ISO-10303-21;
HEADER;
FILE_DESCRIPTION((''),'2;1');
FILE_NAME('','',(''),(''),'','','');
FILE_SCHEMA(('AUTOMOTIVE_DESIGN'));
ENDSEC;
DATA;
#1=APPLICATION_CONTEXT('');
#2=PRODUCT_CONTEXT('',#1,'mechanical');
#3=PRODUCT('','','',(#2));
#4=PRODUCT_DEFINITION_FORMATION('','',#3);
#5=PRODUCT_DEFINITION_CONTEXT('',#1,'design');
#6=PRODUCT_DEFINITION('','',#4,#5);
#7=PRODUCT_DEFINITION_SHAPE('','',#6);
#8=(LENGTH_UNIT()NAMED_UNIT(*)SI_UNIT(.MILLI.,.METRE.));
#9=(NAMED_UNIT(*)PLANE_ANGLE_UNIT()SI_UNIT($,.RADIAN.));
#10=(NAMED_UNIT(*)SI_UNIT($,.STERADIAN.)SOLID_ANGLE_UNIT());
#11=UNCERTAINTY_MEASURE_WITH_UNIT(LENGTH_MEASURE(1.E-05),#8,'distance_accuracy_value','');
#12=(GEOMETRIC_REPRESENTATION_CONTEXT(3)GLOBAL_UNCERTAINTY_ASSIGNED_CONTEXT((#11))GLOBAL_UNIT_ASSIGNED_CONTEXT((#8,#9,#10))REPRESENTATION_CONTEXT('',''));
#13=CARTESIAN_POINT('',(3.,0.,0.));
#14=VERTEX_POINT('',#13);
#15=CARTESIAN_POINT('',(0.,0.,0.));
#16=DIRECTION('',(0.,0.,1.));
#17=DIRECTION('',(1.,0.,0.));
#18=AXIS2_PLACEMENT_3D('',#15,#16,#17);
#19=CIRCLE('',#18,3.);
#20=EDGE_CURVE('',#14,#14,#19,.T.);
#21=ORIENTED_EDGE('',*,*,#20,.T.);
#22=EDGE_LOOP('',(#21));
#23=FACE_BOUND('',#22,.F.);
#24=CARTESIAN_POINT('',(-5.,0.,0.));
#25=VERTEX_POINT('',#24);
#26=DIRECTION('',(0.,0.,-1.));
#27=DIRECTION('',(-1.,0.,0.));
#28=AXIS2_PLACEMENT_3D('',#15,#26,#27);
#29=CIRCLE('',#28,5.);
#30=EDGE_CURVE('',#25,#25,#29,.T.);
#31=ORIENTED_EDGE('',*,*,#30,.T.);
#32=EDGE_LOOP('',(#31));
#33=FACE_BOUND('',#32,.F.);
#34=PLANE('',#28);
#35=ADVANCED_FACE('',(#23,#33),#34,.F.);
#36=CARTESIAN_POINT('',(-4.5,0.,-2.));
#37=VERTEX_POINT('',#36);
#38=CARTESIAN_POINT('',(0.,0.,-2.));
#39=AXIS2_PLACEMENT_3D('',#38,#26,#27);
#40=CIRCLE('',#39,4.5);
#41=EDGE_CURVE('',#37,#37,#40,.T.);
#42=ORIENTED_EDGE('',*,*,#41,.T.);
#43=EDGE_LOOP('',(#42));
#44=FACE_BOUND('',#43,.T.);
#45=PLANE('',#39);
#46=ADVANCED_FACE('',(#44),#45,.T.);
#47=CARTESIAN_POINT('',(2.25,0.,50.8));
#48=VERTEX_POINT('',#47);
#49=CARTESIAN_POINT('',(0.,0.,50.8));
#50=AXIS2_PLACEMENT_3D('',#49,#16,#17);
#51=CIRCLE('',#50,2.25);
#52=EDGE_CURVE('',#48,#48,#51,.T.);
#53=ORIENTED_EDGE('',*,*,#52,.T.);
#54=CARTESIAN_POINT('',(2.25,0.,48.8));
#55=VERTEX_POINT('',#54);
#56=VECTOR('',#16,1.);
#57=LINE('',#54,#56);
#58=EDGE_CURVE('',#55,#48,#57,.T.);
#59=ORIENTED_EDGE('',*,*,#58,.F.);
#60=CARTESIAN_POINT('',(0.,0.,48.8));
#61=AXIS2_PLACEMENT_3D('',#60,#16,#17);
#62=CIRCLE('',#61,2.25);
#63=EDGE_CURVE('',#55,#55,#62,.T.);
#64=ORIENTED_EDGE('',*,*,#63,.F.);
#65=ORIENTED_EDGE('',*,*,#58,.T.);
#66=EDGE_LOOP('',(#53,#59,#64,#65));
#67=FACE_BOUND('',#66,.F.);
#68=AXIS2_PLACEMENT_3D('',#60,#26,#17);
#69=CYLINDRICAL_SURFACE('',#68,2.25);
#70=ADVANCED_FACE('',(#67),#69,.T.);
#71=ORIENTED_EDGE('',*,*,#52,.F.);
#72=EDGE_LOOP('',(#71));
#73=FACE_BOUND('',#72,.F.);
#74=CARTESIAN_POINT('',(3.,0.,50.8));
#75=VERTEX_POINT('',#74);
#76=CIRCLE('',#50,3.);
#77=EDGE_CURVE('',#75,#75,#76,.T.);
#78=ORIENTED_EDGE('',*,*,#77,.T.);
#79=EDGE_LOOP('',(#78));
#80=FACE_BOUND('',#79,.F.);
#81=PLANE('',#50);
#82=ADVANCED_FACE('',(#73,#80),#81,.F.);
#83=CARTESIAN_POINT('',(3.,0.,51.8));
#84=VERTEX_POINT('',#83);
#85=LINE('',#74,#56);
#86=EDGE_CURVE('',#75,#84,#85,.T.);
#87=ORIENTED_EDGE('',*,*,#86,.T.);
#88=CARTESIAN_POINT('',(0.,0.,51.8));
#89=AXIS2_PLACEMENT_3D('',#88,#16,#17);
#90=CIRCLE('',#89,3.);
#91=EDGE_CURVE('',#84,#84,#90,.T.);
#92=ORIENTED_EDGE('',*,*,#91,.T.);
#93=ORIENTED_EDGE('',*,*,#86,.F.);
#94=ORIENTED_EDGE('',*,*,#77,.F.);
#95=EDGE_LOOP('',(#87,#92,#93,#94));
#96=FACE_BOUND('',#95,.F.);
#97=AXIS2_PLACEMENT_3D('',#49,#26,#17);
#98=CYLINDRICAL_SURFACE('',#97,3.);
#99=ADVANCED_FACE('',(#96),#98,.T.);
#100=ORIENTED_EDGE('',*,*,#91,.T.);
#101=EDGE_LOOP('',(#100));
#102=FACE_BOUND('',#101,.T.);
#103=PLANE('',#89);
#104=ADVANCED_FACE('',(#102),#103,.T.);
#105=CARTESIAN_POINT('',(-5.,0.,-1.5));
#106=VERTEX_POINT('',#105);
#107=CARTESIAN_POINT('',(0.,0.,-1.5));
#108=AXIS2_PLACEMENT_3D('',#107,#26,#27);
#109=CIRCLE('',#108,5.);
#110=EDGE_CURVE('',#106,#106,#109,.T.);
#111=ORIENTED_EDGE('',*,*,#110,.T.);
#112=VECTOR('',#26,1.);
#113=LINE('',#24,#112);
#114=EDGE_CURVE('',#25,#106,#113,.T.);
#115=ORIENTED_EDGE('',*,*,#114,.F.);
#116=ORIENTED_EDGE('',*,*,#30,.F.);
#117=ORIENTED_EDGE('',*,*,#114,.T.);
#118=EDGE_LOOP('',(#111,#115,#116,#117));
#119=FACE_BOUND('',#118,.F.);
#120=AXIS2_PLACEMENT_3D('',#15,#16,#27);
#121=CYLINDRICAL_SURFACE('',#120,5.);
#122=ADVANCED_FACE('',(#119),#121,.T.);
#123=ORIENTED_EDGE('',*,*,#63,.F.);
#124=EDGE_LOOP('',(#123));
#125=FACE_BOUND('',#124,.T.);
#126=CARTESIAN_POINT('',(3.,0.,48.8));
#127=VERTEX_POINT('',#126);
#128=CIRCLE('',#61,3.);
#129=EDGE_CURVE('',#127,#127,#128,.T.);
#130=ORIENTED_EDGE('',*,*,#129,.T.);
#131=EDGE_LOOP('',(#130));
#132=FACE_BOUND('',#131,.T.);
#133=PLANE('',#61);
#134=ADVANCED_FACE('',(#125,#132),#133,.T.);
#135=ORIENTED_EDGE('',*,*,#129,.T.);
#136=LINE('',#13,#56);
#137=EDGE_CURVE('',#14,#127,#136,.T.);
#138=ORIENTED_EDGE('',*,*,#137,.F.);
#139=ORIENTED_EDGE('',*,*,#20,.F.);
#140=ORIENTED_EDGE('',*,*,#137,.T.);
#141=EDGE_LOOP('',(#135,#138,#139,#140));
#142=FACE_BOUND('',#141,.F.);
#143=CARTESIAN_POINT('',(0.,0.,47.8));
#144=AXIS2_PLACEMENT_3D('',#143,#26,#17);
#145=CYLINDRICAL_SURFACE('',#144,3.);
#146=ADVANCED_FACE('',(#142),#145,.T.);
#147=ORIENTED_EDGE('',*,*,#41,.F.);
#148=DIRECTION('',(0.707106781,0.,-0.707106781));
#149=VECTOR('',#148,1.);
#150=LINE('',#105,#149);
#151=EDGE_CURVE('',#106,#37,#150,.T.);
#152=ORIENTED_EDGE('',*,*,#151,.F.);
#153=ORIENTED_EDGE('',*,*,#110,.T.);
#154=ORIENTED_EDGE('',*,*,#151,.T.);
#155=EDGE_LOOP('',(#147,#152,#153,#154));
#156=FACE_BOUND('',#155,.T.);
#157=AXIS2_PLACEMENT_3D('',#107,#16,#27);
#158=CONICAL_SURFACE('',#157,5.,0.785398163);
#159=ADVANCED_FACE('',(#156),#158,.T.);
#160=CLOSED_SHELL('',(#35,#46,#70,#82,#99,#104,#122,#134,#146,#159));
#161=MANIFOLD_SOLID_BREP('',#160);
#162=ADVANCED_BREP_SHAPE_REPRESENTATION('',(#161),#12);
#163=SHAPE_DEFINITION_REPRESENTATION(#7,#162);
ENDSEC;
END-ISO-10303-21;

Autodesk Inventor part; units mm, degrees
ref_plane "YZ Plane" through (0, 0, 0) normal (1, 0, 0) x (0, 1, 0)
ref_plane "XZ Plane" through (0, 0, 0) normal (0, 1, 0) x (-1, 0, 0)
ref_plane "XY Plane" through (0, 0, 0) normal (0, 0, 1) x (1, 0, 0)
sketch "スケッチ1" plane through (0, 0, 0) normal (0, 0, 1) x (1, 0, 0)
  circle A0 centre (0, 0) radius 3
  dimension "d0" = 6
extrude "押し出し1" add sketch "スケッチ1" along normal blind 47.8
sketch "スケッチ2" plane through (0, 0, 0) normal (0, 0, -1) x (-1, 0, 0)
  circle A0 centre (0, 0) radius 3 projected
  circle A1 centre (0, 0) radius 5
  dimension "d3" = 10
extrude "押し出し2" add sketch "スケッチ2" along normal blind 2 contours A0 | A1
sketch "スケッチ3" plane through (0, 0, 47.8) normal (0, 0, 1) x (1, 0, 0)
  circle A0 centre (0, 0) radius 3 projected
extrude "押し出し3" add sketch "スケッチ3" along normal blind 1
sketch "スケッチ4" plane through (0, 0, 48.8) normal (0, 0, 1) x (1, 0, 0)
  circle A0 centre (0, 0) radius 3 projected
  circle A1 centre (0, 0) radius 2.25
  dimension "d8" = 4.5
extrude "押し出し4" add sketch "スケッチ4" along normal blind 2 contours A1
sketch "スケッチ5" plane through (0, 0, 50.8) normal (0, 0, 1) x (1, 0, 0)
  circle A0 centre (0, 0) radius 2.25 projected
  circle A1 centre (0, 0) radius 3
  dimension "d11" = 6
extrude "押し出し5" add sketch "スケッチ5" along normal blind 1 contours A0 | A1
chamfer "面取り1" distance 0.5 angle 45 1 edges at (5, 0, -2)
properties part number "shaft6-47.8" material "ステンレス鋼"
